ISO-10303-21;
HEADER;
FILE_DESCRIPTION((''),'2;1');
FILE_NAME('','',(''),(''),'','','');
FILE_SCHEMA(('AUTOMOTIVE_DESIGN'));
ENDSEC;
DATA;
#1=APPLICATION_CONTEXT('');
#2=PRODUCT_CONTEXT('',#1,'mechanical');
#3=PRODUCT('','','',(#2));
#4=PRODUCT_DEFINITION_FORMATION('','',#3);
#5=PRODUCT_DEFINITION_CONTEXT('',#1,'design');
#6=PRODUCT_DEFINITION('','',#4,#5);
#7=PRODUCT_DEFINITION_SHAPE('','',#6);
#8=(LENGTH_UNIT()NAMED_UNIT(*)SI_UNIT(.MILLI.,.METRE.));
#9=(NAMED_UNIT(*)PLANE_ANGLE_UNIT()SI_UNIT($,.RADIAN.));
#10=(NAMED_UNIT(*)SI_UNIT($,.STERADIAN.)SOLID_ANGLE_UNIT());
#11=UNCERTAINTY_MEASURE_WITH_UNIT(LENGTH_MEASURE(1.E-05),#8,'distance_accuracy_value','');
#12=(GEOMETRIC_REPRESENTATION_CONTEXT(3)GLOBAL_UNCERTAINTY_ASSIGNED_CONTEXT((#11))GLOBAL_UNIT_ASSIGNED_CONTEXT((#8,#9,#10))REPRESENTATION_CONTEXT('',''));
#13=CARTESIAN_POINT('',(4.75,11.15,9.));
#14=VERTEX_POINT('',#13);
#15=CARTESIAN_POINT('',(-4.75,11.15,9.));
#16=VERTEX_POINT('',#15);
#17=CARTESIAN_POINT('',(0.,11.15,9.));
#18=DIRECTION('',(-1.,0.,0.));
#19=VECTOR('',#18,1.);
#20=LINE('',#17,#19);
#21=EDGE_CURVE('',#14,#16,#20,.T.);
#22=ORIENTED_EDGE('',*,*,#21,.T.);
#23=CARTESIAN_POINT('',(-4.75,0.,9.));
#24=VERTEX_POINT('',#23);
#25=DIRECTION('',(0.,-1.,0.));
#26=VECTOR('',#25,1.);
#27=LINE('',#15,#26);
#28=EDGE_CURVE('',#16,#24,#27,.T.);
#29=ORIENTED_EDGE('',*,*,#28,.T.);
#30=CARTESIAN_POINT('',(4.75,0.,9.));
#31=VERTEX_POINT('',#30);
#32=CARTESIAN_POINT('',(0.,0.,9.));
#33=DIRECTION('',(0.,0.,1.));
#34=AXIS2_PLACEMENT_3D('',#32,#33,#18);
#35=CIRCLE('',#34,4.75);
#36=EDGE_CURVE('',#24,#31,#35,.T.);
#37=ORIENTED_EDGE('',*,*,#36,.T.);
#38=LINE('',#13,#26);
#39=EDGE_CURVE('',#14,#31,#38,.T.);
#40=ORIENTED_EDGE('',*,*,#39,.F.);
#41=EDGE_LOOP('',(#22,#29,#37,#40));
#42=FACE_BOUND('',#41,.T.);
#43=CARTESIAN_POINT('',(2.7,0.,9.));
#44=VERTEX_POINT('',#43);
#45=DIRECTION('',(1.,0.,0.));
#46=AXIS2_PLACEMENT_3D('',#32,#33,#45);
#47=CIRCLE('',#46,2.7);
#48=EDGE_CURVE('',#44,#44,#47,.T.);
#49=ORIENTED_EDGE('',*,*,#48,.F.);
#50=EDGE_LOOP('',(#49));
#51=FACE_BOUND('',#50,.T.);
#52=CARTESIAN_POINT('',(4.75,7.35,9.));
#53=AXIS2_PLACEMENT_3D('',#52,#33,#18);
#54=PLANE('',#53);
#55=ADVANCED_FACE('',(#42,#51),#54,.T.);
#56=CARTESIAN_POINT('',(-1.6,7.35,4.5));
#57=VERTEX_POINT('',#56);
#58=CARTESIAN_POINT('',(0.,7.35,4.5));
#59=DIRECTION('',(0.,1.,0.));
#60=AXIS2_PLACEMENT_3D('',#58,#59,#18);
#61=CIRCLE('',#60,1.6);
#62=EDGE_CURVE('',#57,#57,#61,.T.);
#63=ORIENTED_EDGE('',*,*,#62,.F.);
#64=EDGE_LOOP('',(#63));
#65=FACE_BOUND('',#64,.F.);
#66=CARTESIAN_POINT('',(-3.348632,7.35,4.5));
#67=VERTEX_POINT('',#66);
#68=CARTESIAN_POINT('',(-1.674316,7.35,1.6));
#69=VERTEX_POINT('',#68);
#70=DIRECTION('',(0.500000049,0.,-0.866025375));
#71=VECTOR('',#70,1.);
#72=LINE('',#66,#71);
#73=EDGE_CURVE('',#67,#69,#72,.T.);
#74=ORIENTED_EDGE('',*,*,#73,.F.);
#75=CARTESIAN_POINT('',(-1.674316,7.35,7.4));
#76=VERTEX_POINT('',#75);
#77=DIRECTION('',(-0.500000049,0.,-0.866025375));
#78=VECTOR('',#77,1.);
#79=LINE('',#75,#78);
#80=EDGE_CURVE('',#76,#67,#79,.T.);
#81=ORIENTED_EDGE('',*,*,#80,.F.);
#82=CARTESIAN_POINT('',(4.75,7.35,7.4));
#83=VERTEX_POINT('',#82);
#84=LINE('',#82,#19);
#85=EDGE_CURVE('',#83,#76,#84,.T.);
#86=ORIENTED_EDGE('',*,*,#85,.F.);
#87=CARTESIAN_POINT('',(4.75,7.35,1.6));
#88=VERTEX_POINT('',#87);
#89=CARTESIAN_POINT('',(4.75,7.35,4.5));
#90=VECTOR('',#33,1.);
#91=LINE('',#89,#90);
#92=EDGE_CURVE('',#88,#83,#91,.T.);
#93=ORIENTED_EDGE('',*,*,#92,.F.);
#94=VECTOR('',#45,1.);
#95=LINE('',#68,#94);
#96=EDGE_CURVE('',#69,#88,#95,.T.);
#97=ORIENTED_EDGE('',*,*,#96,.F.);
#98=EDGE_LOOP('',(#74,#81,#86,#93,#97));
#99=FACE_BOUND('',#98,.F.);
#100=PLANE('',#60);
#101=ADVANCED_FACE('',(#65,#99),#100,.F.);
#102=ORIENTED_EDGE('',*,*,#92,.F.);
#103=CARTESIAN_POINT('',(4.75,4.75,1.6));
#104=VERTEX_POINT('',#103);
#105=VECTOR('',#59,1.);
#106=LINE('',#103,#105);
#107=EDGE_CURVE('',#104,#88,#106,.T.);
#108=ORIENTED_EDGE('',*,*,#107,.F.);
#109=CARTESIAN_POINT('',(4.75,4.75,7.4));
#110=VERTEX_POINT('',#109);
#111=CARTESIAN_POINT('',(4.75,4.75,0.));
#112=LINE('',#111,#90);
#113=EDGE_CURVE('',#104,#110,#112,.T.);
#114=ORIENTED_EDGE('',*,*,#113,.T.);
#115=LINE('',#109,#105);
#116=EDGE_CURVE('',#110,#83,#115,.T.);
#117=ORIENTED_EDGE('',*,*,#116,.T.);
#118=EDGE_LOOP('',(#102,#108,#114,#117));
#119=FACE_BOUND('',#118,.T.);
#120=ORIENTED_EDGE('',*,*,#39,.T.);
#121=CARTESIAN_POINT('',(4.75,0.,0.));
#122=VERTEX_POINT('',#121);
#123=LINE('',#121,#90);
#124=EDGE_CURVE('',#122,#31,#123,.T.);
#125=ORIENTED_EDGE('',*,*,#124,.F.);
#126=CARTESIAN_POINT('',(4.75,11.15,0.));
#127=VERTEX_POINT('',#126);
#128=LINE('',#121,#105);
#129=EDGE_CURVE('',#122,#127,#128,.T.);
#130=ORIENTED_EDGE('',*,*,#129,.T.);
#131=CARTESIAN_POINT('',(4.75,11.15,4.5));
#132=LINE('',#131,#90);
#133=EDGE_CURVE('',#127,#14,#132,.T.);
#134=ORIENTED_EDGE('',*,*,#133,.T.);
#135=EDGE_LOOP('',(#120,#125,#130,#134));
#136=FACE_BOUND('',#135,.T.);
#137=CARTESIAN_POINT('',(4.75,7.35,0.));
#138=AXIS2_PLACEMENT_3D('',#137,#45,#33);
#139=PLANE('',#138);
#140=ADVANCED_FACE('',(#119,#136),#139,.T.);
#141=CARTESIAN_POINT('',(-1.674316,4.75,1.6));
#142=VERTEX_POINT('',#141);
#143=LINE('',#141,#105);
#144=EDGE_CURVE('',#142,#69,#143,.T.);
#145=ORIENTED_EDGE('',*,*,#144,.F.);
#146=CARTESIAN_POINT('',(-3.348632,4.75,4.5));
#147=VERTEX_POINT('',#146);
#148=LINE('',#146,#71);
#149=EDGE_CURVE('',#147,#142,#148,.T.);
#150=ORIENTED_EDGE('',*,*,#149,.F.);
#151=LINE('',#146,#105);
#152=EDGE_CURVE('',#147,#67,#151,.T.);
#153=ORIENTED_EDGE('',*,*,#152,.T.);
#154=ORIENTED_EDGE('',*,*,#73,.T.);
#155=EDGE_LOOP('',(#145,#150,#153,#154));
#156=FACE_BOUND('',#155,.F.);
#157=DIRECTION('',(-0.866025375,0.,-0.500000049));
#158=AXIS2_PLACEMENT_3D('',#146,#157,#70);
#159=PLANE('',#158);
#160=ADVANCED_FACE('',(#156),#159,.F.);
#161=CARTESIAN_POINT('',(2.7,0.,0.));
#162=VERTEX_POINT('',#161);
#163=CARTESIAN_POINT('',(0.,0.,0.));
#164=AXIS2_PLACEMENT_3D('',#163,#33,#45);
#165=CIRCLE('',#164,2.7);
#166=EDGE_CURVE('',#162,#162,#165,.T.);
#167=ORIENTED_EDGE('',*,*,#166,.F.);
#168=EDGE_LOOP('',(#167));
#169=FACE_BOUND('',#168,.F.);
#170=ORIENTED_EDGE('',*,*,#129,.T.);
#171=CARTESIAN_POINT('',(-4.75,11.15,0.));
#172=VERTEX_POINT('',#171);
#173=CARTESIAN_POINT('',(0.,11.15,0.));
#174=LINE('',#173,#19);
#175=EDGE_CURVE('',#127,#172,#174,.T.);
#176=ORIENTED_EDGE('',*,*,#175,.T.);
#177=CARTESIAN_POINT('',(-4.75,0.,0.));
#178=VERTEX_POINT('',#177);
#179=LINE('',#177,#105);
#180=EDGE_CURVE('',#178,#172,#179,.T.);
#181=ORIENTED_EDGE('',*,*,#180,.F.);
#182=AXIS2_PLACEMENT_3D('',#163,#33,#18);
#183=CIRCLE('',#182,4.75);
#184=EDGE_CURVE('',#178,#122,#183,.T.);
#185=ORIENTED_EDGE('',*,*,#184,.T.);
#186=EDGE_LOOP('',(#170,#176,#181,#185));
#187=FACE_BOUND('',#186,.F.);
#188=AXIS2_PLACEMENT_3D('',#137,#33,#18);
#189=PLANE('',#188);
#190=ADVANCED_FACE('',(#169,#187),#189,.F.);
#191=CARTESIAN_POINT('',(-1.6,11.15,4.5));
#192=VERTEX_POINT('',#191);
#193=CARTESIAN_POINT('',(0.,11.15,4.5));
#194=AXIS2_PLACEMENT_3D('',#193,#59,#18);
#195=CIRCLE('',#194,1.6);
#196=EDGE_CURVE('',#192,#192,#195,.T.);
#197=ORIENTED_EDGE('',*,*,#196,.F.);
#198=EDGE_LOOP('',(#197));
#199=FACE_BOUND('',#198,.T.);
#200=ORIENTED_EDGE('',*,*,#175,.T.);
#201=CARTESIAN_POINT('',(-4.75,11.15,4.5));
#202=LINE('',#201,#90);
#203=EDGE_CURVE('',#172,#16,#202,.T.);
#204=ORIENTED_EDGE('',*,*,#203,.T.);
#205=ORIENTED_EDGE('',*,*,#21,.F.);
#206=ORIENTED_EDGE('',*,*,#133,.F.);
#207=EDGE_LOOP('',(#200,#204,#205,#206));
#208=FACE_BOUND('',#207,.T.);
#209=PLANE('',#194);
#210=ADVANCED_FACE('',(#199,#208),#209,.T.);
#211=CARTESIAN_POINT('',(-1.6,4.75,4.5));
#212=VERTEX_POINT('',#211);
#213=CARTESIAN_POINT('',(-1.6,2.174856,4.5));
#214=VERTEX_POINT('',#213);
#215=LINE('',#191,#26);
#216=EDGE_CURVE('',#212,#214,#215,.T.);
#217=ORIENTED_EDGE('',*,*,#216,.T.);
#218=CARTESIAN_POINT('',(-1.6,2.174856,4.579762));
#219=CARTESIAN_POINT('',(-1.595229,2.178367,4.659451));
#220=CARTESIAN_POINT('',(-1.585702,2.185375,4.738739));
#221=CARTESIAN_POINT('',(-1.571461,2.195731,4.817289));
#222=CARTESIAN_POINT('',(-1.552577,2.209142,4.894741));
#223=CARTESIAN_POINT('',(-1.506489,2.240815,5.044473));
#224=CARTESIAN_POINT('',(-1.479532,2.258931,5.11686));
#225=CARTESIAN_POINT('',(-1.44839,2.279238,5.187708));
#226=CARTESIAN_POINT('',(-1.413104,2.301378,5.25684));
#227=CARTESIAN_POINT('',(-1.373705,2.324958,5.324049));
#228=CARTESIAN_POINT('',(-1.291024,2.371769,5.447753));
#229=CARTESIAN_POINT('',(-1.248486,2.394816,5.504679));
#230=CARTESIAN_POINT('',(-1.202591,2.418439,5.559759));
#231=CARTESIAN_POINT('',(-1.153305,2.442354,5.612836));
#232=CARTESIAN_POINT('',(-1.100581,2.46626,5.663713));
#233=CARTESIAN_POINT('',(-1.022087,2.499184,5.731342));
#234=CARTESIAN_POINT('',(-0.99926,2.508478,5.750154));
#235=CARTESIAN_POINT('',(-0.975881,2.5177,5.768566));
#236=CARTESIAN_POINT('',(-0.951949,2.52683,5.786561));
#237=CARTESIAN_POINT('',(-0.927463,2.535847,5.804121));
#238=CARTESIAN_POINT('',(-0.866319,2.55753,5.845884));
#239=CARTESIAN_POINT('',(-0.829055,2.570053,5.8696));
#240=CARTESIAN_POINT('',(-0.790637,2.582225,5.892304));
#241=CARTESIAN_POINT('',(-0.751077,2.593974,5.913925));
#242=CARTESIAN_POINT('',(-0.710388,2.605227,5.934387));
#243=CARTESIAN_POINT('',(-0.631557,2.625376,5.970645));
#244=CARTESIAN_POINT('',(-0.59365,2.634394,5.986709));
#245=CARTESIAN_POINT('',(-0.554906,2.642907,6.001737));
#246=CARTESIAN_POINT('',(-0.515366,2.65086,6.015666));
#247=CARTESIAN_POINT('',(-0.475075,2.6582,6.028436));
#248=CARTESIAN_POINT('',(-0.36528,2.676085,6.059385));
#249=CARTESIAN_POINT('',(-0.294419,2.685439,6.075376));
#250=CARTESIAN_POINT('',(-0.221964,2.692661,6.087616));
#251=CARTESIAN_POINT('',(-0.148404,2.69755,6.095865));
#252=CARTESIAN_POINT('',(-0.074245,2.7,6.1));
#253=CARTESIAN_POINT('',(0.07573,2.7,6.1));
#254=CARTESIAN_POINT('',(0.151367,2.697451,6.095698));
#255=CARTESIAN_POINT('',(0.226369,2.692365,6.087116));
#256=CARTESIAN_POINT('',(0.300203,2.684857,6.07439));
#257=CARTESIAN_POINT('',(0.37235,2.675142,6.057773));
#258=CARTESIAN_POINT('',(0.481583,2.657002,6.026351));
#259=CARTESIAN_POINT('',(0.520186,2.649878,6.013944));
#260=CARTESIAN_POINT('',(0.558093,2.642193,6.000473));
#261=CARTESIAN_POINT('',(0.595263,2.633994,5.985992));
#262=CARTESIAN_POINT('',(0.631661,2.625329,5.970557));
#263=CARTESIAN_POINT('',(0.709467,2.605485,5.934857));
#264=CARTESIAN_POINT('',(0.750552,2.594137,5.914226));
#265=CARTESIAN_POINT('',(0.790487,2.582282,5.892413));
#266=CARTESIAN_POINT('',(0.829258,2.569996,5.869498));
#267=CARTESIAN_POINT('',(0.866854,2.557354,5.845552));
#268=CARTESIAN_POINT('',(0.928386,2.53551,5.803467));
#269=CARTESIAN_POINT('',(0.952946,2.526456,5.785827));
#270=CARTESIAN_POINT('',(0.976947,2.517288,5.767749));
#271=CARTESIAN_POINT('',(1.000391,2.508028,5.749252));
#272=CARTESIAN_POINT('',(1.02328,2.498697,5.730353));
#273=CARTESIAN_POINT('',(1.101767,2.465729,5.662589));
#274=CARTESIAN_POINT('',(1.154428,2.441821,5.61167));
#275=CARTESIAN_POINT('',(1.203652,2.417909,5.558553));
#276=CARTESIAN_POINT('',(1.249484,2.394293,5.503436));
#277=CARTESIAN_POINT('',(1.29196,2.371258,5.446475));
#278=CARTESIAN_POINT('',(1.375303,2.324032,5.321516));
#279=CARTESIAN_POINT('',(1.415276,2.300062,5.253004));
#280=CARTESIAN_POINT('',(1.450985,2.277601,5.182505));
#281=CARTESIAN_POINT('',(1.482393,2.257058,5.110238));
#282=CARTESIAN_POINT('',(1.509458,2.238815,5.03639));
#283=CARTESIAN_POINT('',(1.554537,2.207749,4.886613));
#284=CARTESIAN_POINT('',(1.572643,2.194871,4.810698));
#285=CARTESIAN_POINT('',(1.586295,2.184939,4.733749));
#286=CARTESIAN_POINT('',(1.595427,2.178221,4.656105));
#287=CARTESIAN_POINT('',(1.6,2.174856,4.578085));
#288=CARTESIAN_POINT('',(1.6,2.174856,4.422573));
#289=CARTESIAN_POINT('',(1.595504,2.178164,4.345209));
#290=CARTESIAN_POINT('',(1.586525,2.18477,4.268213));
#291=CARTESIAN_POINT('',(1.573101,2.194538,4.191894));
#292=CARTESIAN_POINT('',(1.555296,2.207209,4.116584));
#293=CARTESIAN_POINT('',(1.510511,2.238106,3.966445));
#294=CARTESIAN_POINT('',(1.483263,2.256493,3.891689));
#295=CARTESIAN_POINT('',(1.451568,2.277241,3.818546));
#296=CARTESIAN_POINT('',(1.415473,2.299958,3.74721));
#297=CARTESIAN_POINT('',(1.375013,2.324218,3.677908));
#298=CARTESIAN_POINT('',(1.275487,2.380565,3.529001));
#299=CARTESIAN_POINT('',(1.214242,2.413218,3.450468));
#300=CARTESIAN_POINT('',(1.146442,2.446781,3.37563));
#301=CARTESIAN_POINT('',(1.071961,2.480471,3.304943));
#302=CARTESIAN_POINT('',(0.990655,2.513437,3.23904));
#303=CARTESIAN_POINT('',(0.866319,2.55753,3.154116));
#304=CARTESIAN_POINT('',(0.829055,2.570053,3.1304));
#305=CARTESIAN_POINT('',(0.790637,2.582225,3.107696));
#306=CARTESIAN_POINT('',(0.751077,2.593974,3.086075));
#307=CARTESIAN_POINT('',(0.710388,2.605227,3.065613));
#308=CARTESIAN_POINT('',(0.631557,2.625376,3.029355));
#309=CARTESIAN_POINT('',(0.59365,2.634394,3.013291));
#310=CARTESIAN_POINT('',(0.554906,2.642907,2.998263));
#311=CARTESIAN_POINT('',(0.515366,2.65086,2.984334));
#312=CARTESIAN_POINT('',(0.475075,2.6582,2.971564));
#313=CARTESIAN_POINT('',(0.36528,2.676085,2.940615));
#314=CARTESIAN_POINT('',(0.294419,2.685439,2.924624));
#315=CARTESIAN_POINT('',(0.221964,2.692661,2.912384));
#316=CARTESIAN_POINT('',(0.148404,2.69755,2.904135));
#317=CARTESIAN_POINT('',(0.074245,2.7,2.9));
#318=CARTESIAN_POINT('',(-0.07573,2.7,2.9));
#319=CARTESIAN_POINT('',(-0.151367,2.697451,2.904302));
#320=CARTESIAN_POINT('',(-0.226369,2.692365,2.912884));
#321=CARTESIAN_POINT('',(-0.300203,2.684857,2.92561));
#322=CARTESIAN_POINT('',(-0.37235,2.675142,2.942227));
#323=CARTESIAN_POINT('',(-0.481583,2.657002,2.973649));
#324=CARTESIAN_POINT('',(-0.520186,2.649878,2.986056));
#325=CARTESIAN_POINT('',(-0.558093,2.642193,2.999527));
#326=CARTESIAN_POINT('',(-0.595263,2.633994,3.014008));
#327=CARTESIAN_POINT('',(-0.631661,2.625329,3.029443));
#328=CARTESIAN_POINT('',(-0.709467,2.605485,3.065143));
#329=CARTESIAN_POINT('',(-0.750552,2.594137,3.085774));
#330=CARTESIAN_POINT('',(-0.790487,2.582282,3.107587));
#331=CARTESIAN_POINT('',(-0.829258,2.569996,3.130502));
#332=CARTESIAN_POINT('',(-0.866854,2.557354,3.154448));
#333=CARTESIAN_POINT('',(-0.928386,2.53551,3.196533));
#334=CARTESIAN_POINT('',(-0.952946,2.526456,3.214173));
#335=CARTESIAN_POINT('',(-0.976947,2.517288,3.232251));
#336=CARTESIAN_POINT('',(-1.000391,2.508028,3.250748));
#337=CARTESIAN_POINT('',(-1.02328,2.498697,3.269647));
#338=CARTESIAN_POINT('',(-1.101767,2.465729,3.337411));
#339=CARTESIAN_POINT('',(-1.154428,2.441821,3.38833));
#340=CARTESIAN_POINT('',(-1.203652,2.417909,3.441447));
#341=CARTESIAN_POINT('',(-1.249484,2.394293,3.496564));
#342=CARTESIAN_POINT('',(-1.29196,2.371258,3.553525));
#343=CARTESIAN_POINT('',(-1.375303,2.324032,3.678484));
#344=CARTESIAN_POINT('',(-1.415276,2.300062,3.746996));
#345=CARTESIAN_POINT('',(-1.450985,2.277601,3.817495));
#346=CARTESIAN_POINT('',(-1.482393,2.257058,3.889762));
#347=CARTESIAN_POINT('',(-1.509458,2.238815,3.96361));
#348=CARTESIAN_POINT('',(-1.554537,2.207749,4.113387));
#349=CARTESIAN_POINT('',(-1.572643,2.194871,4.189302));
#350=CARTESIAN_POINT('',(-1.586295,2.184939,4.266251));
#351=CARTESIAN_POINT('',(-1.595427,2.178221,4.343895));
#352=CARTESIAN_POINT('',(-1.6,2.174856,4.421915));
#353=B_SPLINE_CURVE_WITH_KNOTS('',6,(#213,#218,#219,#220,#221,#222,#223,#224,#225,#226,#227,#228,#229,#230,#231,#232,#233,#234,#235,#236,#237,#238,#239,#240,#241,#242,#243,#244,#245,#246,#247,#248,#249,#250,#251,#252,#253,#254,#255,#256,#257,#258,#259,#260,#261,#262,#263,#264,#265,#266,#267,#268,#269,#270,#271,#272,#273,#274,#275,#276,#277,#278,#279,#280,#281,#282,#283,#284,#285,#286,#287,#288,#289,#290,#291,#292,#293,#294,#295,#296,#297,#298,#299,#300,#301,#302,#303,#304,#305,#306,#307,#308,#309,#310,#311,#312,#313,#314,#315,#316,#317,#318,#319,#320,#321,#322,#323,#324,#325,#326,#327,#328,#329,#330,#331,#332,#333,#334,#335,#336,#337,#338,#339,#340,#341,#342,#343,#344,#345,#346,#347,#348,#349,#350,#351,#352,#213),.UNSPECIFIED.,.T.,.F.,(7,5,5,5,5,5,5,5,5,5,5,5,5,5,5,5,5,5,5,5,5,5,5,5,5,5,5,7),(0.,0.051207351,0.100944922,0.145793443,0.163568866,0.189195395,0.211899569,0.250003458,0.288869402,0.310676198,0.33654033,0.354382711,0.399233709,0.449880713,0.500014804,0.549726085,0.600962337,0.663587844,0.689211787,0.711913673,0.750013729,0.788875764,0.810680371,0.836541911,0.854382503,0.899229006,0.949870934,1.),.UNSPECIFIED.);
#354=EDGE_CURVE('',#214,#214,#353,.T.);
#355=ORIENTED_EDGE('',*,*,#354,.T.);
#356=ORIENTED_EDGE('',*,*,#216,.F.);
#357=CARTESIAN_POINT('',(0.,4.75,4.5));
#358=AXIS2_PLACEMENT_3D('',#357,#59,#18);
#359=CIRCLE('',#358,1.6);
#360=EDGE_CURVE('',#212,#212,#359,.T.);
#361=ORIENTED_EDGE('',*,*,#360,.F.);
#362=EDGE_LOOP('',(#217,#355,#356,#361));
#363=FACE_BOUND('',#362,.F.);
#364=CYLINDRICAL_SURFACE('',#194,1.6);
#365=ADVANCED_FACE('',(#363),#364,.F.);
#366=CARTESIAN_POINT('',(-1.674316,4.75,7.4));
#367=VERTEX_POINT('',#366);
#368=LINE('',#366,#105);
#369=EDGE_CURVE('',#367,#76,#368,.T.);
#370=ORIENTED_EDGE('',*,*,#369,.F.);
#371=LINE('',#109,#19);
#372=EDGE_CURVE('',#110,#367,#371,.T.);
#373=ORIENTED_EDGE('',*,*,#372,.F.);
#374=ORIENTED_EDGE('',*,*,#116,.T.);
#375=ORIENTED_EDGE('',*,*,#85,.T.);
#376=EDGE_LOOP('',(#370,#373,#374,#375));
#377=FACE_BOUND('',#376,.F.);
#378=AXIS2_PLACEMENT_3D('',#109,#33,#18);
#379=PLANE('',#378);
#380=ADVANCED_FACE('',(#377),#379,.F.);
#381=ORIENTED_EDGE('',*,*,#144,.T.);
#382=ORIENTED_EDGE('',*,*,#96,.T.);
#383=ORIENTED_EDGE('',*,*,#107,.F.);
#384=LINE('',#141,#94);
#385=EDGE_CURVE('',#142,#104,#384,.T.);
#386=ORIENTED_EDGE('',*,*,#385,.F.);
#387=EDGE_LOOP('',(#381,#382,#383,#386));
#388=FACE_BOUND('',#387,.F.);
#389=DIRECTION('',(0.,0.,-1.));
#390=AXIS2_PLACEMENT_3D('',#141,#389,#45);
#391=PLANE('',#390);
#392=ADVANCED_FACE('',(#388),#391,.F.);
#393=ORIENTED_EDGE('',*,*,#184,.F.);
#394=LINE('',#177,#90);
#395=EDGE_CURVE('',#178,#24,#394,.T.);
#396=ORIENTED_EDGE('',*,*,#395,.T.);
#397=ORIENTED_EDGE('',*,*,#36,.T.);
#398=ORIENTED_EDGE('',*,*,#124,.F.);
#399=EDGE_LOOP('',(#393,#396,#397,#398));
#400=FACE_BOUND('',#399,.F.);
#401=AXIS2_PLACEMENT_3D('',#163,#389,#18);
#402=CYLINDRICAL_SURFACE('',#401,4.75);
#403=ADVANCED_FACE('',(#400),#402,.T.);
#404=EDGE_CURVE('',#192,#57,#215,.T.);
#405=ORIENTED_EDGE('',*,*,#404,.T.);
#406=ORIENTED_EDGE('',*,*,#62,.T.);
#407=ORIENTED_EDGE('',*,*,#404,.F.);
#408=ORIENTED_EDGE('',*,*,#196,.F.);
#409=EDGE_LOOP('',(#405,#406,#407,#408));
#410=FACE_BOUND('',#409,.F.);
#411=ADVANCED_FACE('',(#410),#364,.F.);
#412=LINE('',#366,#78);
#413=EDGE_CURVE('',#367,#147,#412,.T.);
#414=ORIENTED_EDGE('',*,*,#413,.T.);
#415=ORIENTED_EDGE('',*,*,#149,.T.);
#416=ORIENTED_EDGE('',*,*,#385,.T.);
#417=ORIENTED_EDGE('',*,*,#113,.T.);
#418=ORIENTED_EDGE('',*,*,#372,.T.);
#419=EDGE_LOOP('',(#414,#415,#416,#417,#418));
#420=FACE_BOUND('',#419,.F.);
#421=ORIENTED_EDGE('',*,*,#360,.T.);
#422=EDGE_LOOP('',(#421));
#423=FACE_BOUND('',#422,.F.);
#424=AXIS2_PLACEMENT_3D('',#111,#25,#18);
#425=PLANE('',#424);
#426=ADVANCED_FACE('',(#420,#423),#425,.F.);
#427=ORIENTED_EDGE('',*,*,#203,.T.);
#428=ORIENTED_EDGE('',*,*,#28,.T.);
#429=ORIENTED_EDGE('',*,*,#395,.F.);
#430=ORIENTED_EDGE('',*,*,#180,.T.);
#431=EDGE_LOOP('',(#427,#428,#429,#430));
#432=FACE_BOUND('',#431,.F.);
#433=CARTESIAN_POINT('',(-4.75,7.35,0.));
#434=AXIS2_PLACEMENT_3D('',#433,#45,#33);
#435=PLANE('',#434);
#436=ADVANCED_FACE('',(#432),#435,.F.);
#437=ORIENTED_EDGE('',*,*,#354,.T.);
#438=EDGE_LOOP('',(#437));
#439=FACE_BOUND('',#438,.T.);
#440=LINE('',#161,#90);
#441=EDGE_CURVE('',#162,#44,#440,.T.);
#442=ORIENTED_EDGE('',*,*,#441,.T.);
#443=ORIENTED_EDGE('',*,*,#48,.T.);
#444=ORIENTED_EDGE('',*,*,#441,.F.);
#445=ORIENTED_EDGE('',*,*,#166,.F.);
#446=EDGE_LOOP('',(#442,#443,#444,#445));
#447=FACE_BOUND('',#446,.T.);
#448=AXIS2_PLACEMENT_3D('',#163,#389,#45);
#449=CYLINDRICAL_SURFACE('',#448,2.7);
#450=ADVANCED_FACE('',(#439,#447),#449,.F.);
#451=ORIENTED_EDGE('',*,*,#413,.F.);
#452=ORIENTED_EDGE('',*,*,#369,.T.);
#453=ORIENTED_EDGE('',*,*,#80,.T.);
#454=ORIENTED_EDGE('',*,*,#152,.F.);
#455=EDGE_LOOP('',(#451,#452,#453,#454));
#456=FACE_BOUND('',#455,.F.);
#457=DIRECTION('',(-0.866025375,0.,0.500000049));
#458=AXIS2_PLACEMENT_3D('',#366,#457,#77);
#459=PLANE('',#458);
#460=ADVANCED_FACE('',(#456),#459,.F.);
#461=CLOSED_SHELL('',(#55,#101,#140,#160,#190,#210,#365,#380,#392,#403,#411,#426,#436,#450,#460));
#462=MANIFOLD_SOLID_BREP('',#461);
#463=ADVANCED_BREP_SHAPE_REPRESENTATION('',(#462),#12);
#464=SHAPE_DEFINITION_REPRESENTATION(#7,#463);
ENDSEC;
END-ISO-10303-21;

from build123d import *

# Parameters (mm, degrees)
F0_R     = 2.7
F1_DEPTH = 9
F3_DEPTH = 2.6
F4_W     = 9.5
F4_H     = 9
F5_DEPTH = 3.8
F6_R     = 1.6
F7_DEPTH = 9


with BuildPart() as f1:
    # F0 (on Top) → F1 (new body)
    with BuildSketch(Plane.XY):
        with BuildLine():
            ThreePointArc((0, 4.75), (3.358757, 3.358757), (4.75, 0))
            Line((4.75, 0), (4.75, 4.75))
            Line((4.75, 4.75), (0, 4.75))
        make_face()
        with BuildLine():
            ThreePointArc((-4.75, 0), (-3.358757, 3.358757), (0, 4.75))
            Line((0, 4.75), (-4.75, 4.75))
            Line((-4.75, 4.75), (-4.75, 0))
        make_face()
        with BuildLine():
            ThreePointArc((-4.75, 0), (0, -4.75), (4.75, 0))
            ThreePointArc((4.75, 0), (3.358757, 3.358757), (0, 4.75))
            ThreePointArc((0, 4.75), (-3.358757, 3.358757), (-4.75, 0))
        make_face()
        Circle(F0_R, mode=Mode.SUBTRACT)
    extrude(amount=F1_DEPTH)

    # F2 (on face) → F3 (join)
    with BuildSketch(Plane(origin=(0, 4.75, 0), x_dir=(-1, 0, 0), z_dir=(0, 1, 0))):
        Polygon((-4.75, 7.4), (-1.674316, 7.4), (1.674316, 7.4), (3.348632, 4.5), (1.674316, 1.6), (-1.674316, 1.6), (-4.75, 1.6), (-4.75, 0), (4.75, 0), (4.75, 9), (-4.75, 9), align=None)
    extrude(amount=F3_DEPTH)

    # F4 (on face) → F5 (join)
    with BuildSketch(Plane(origin=(0, 7.35, 0), x_dir=(-1, 0, 0), z_dir=(0, 1, 0))):
        with Locations((0, 4.5)):
            Rectangle(F4_W, F4_H)
    extrude(amount=F5_DEPTH)

    # F6 (on face) → F7 (cut)
    with BuildSketch(Plane(origin=(0, 11.15, 0), x_dir=(-1, 0, 0), z_dir=(0, 1, 0))):
        with Locations((0, 4.5)):
            Circle(F6_R)
    extrude(amount=-F7_DEPTH, mode=Mode.SUBTRACT)


solid = f1.part
